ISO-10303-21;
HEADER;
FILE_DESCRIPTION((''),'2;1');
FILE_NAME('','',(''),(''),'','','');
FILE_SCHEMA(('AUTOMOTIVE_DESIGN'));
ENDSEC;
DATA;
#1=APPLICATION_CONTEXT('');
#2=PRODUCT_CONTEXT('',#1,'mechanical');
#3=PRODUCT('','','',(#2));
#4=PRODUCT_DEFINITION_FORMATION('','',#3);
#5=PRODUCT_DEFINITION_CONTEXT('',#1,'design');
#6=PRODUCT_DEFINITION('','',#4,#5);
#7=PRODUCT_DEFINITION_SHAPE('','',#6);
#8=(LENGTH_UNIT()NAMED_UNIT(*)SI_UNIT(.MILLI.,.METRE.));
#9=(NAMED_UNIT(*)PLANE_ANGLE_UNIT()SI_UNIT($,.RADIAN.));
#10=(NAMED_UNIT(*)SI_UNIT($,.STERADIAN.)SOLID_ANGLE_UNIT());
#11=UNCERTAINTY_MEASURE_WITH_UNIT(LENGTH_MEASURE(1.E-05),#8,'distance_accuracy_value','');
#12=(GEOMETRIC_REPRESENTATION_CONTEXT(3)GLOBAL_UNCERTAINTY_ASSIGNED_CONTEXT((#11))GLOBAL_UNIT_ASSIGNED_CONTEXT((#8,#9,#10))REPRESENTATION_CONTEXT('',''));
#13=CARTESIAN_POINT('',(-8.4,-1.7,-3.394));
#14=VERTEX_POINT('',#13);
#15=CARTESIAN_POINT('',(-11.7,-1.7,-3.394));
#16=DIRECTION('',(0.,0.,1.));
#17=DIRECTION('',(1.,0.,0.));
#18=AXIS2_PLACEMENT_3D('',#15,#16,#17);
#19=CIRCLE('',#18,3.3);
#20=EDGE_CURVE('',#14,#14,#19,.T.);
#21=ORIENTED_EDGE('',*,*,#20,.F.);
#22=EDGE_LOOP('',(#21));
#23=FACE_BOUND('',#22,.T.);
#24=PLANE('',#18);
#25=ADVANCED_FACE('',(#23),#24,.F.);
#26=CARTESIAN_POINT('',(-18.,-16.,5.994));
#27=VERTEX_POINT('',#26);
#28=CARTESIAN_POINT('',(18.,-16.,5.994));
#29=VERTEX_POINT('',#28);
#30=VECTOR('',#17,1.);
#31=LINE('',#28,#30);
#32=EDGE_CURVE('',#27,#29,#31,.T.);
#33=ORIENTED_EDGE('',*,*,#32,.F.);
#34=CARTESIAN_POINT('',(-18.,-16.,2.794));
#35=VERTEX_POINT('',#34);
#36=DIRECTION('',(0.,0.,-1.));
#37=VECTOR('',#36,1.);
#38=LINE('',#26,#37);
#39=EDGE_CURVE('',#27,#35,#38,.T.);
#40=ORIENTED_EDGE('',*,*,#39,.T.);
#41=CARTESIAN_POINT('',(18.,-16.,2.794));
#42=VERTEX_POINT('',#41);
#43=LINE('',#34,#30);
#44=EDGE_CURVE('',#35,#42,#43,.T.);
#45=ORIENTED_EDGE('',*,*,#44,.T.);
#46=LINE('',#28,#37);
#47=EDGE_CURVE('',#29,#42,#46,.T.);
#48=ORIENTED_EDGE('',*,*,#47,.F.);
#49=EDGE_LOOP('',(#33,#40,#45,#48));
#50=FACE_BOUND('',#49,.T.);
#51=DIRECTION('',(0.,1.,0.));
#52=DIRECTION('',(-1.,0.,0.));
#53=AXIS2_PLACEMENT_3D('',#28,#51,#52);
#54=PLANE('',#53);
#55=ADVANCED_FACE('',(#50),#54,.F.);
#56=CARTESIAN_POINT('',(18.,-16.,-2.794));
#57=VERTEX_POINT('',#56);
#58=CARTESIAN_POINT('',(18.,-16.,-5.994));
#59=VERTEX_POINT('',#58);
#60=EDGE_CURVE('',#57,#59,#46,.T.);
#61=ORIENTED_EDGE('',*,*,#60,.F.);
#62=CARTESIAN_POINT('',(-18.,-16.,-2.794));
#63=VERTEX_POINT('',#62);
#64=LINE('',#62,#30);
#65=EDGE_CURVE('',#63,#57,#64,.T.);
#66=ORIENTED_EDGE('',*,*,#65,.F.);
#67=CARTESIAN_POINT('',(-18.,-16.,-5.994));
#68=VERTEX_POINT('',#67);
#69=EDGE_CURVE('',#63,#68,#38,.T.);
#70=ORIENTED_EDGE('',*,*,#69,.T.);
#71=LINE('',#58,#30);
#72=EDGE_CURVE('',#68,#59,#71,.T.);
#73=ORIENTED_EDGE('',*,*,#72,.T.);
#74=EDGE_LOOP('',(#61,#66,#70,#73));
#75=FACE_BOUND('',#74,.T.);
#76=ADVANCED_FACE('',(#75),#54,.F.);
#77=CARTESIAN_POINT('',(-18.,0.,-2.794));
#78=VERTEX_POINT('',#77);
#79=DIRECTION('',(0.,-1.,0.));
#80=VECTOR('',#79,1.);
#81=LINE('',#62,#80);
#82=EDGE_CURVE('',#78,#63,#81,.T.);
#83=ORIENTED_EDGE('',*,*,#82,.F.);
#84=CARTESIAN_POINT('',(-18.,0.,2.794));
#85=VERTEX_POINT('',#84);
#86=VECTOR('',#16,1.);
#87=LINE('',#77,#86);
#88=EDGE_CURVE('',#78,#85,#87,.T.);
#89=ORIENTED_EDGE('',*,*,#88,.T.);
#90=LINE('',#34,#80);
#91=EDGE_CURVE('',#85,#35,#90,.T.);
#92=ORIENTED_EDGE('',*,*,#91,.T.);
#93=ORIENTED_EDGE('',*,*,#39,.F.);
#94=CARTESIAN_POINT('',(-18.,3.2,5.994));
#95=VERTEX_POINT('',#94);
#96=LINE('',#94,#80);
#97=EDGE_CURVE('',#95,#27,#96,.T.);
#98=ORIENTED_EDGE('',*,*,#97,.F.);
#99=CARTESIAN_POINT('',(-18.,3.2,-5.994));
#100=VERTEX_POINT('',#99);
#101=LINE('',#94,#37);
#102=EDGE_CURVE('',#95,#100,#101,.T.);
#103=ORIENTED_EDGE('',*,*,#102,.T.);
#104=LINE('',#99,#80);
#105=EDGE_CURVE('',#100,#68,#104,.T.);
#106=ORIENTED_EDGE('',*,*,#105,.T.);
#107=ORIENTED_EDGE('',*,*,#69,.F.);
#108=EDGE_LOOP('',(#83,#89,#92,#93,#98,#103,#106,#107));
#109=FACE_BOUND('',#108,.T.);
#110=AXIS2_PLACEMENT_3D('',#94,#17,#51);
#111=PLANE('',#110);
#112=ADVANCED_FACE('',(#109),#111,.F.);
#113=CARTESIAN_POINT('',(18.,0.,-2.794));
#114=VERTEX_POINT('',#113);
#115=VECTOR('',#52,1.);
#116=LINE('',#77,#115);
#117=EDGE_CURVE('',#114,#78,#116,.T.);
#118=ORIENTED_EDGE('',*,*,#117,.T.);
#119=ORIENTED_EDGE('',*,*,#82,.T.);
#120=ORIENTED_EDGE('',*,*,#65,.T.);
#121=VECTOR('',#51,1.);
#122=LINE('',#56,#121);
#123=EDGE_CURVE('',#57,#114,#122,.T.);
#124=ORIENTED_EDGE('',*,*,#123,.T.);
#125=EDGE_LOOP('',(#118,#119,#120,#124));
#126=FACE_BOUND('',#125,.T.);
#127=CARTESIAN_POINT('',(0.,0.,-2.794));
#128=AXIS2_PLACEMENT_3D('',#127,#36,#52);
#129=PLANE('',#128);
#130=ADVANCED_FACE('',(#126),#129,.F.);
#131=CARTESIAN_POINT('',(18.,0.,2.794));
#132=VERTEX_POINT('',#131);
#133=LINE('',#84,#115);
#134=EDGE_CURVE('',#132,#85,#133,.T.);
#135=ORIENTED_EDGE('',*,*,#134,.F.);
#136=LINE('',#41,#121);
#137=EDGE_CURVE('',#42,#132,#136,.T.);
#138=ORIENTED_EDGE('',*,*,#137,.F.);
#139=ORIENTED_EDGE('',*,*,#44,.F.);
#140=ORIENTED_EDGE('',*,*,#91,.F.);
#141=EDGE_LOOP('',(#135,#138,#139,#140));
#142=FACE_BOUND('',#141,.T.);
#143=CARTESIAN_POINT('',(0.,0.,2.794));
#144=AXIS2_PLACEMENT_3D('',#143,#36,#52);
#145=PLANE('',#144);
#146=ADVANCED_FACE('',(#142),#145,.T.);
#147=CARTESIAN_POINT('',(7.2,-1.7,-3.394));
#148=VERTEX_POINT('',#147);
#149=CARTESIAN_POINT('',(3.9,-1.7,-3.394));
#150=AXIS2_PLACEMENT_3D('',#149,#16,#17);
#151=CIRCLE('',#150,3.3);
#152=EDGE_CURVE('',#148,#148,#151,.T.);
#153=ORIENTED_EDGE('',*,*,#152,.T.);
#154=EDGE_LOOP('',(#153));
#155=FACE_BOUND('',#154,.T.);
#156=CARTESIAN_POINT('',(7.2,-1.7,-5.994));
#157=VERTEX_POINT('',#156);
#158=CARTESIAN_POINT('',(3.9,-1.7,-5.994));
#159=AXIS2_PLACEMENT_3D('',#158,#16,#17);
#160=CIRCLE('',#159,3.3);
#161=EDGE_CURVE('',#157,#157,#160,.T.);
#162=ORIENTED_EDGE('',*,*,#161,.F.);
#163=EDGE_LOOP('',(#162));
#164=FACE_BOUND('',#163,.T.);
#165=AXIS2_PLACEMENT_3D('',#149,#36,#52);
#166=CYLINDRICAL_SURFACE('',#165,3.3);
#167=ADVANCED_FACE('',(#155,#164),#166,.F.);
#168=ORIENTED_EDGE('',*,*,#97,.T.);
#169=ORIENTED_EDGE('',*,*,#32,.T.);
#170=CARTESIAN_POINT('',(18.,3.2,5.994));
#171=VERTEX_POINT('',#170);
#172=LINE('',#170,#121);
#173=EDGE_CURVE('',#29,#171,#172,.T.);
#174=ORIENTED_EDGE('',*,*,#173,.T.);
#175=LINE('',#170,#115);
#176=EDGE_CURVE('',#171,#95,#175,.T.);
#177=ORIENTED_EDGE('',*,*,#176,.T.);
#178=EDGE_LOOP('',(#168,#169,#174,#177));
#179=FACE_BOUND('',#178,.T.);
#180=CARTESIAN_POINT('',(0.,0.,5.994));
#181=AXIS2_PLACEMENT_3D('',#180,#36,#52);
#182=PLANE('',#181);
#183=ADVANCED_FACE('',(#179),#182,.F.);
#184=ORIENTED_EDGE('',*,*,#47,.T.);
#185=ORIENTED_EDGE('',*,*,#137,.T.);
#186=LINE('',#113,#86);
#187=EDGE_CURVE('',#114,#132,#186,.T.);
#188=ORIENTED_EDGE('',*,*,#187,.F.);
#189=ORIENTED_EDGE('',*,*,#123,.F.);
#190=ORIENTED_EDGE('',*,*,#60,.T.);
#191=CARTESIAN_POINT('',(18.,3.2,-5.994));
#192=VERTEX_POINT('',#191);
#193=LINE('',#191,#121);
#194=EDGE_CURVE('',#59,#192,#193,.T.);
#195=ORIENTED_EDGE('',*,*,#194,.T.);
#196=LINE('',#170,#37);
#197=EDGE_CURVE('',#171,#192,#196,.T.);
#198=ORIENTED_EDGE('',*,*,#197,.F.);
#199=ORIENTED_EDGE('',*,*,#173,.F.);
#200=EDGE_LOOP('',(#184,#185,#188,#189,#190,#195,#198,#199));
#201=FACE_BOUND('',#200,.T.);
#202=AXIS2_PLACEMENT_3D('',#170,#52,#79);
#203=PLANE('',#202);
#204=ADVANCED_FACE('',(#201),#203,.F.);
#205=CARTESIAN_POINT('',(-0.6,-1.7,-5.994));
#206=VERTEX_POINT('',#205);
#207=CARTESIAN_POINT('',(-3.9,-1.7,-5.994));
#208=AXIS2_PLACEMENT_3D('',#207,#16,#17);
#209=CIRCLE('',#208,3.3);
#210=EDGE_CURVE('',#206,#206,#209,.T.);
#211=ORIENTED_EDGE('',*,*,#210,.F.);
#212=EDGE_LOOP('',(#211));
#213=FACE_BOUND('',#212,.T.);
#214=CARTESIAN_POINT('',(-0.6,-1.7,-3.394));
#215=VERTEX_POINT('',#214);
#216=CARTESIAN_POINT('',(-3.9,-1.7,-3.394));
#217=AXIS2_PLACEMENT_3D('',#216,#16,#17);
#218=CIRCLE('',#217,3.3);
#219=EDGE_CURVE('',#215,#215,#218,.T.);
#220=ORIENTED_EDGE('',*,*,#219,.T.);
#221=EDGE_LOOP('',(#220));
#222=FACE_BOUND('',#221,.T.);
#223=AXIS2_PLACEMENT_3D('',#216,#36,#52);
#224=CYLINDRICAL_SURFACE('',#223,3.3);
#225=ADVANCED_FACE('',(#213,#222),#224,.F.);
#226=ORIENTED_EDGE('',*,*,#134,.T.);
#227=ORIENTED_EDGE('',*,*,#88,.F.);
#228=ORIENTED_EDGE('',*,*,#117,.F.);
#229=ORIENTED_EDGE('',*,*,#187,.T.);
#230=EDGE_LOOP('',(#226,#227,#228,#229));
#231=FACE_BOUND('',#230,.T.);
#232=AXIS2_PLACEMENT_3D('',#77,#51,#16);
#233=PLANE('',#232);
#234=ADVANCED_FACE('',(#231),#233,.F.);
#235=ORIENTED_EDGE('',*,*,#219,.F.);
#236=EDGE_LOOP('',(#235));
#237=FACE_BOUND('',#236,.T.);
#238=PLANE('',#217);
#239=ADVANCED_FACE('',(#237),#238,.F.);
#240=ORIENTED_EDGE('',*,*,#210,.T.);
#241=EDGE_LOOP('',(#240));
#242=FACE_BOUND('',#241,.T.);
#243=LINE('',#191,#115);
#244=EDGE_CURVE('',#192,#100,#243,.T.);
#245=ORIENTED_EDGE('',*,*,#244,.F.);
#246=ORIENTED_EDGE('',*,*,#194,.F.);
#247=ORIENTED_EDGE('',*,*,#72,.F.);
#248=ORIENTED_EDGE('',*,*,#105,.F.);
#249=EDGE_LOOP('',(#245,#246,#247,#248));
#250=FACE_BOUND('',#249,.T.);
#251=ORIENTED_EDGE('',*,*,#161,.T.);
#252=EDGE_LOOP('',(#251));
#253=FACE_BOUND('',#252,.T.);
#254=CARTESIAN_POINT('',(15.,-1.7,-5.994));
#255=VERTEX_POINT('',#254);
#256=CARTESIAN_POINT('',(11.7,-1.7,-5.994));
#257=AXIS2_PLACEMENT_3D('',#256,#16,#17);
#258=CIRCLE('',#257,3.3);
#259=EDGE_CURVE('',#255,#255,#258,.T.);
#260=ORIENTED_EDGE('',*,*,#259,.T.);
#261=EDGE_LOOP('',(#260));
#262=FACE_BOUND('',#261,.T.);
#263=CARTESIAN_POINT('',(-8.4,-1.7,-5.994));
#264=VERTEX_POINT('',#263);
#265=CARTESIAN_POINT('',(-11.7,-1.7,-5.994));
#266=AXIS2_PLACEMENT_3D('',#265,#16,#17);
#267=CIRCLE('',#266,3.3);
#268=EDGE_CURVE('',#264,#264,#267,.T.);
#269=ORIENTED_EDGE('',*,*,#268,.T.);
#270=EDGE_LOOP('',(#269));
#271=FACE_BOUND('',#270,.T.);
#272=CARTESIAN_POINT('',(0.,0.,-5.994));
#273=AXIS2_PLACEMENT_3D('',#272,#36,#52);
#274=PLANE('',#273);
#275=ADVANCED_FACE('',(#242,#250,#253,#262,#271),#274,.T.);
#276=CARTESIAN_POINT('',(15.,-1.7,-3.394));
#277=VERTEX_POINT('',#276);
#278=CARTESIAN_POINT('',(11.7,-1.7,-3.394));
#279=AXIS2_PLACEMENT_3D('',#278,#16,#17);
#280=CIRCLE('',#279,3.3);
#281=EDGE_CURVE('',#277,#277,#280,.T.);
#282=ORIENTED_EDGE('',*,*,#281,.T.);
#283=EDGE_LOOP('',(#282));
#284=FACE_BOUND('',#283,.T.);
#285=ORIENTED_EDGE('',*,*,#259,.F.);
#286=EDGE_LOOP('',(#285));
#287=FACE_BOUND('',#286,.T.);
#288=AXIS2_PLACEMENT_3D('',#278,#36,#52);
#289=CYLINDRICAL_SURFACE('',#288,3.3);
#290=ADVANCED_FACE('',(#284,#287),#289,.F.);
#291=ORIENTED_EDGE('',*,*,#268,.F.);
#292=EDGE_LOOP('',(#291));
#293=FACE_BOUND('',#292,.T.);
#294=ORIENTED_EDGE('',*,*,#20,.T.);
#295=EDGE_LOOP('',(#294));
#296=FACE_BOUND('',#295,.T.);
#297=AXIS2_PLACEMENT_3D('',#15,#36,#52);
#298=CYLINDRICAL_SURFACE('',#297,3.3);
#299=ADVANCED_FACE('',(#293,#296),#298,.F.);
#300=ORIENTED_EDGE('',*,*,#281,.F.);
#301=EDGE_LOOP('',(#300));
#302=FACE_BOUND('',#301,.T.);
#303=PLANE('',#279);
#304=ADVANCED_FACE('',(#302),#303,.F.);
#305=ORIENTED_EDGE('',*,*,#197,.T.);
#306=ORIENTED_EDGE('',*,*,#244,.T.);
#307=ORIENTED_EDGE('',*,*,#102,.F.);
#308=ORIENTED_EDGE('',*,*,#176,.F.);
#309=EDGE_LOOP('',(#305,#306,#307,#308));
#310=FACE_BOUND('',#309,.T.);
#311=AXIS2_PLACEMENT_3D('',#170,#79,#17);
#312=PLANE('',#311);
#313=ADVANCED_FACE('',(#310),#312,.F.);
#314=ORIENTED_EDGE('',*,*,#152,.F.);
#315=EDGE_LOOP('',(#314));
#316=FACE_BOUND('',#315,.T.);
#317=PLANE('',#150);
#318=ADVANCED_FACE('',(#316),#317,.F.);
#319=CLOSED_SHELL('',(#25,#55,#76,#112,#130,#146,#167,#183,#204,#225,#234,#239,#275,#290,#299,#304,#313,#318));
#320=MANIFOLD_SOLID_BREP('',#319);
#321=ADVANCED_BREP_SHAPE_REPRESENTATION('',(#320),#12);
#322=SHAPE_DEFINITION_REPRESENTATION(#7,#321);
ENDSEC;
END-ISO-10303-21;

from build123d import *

# Parameters (mm, degrees)
SKETCH2_W           = 36
SKETCH2_H           = 19.2
BOSS_EXTRUDE1_DEPTH = 5.994
SKETCH3_W           = 36
SKETCH3_H           = 16
CUT_EXTRUDE1_DEPTH  = 2.794
SKETCH4_R           = 3.3
CUT_EXTRUDE2_DEPTH  = 2.6


with BuildPart() as part:
    # Sketch2 → Boss-Extrude1 (new, symmetric)
    with BuildSketch(Plane.XY):
        with Locations((0, -6.4)):
            Rectangle(SKETCH2_W, SKETCH2_H)
    extrude(amount=BOSS_EXTRUDE1_DEPTH, both=True)

    # Sketch3 → Cut-Extrude1 (cut, symmetric)
    with BuildSketch(Plane.XY):
        with Locations((0, -8)):
            Rectangle(SKETCH3_W, SKETCH3_H)
    extrude(amount=CUT_EXTRUDE1_DEPTH, both=True, mode=Mode.SUBTRACT)

    # Sketch4 → Cut-Extrude2 (cut)
    with BuildSketch(Plane.XY.offset(-5.994)):
        with Locations((11.7, -1.7)):
            Circle(SKETCH4_R)
        with Locations((3.9, -1.7)):
            Circle(SKETCH4_R)
        with Locations((-3.9, -1.7)):
            Circle(SKETCH4_R)
        with Locations((-11.7, -1.7)):
            Circle(SKETCH4_R)
    extrude(amount=CUT_EXTRUDE2_DEPTH, mode=Mode.SUBTRACT)


solid = part.part
